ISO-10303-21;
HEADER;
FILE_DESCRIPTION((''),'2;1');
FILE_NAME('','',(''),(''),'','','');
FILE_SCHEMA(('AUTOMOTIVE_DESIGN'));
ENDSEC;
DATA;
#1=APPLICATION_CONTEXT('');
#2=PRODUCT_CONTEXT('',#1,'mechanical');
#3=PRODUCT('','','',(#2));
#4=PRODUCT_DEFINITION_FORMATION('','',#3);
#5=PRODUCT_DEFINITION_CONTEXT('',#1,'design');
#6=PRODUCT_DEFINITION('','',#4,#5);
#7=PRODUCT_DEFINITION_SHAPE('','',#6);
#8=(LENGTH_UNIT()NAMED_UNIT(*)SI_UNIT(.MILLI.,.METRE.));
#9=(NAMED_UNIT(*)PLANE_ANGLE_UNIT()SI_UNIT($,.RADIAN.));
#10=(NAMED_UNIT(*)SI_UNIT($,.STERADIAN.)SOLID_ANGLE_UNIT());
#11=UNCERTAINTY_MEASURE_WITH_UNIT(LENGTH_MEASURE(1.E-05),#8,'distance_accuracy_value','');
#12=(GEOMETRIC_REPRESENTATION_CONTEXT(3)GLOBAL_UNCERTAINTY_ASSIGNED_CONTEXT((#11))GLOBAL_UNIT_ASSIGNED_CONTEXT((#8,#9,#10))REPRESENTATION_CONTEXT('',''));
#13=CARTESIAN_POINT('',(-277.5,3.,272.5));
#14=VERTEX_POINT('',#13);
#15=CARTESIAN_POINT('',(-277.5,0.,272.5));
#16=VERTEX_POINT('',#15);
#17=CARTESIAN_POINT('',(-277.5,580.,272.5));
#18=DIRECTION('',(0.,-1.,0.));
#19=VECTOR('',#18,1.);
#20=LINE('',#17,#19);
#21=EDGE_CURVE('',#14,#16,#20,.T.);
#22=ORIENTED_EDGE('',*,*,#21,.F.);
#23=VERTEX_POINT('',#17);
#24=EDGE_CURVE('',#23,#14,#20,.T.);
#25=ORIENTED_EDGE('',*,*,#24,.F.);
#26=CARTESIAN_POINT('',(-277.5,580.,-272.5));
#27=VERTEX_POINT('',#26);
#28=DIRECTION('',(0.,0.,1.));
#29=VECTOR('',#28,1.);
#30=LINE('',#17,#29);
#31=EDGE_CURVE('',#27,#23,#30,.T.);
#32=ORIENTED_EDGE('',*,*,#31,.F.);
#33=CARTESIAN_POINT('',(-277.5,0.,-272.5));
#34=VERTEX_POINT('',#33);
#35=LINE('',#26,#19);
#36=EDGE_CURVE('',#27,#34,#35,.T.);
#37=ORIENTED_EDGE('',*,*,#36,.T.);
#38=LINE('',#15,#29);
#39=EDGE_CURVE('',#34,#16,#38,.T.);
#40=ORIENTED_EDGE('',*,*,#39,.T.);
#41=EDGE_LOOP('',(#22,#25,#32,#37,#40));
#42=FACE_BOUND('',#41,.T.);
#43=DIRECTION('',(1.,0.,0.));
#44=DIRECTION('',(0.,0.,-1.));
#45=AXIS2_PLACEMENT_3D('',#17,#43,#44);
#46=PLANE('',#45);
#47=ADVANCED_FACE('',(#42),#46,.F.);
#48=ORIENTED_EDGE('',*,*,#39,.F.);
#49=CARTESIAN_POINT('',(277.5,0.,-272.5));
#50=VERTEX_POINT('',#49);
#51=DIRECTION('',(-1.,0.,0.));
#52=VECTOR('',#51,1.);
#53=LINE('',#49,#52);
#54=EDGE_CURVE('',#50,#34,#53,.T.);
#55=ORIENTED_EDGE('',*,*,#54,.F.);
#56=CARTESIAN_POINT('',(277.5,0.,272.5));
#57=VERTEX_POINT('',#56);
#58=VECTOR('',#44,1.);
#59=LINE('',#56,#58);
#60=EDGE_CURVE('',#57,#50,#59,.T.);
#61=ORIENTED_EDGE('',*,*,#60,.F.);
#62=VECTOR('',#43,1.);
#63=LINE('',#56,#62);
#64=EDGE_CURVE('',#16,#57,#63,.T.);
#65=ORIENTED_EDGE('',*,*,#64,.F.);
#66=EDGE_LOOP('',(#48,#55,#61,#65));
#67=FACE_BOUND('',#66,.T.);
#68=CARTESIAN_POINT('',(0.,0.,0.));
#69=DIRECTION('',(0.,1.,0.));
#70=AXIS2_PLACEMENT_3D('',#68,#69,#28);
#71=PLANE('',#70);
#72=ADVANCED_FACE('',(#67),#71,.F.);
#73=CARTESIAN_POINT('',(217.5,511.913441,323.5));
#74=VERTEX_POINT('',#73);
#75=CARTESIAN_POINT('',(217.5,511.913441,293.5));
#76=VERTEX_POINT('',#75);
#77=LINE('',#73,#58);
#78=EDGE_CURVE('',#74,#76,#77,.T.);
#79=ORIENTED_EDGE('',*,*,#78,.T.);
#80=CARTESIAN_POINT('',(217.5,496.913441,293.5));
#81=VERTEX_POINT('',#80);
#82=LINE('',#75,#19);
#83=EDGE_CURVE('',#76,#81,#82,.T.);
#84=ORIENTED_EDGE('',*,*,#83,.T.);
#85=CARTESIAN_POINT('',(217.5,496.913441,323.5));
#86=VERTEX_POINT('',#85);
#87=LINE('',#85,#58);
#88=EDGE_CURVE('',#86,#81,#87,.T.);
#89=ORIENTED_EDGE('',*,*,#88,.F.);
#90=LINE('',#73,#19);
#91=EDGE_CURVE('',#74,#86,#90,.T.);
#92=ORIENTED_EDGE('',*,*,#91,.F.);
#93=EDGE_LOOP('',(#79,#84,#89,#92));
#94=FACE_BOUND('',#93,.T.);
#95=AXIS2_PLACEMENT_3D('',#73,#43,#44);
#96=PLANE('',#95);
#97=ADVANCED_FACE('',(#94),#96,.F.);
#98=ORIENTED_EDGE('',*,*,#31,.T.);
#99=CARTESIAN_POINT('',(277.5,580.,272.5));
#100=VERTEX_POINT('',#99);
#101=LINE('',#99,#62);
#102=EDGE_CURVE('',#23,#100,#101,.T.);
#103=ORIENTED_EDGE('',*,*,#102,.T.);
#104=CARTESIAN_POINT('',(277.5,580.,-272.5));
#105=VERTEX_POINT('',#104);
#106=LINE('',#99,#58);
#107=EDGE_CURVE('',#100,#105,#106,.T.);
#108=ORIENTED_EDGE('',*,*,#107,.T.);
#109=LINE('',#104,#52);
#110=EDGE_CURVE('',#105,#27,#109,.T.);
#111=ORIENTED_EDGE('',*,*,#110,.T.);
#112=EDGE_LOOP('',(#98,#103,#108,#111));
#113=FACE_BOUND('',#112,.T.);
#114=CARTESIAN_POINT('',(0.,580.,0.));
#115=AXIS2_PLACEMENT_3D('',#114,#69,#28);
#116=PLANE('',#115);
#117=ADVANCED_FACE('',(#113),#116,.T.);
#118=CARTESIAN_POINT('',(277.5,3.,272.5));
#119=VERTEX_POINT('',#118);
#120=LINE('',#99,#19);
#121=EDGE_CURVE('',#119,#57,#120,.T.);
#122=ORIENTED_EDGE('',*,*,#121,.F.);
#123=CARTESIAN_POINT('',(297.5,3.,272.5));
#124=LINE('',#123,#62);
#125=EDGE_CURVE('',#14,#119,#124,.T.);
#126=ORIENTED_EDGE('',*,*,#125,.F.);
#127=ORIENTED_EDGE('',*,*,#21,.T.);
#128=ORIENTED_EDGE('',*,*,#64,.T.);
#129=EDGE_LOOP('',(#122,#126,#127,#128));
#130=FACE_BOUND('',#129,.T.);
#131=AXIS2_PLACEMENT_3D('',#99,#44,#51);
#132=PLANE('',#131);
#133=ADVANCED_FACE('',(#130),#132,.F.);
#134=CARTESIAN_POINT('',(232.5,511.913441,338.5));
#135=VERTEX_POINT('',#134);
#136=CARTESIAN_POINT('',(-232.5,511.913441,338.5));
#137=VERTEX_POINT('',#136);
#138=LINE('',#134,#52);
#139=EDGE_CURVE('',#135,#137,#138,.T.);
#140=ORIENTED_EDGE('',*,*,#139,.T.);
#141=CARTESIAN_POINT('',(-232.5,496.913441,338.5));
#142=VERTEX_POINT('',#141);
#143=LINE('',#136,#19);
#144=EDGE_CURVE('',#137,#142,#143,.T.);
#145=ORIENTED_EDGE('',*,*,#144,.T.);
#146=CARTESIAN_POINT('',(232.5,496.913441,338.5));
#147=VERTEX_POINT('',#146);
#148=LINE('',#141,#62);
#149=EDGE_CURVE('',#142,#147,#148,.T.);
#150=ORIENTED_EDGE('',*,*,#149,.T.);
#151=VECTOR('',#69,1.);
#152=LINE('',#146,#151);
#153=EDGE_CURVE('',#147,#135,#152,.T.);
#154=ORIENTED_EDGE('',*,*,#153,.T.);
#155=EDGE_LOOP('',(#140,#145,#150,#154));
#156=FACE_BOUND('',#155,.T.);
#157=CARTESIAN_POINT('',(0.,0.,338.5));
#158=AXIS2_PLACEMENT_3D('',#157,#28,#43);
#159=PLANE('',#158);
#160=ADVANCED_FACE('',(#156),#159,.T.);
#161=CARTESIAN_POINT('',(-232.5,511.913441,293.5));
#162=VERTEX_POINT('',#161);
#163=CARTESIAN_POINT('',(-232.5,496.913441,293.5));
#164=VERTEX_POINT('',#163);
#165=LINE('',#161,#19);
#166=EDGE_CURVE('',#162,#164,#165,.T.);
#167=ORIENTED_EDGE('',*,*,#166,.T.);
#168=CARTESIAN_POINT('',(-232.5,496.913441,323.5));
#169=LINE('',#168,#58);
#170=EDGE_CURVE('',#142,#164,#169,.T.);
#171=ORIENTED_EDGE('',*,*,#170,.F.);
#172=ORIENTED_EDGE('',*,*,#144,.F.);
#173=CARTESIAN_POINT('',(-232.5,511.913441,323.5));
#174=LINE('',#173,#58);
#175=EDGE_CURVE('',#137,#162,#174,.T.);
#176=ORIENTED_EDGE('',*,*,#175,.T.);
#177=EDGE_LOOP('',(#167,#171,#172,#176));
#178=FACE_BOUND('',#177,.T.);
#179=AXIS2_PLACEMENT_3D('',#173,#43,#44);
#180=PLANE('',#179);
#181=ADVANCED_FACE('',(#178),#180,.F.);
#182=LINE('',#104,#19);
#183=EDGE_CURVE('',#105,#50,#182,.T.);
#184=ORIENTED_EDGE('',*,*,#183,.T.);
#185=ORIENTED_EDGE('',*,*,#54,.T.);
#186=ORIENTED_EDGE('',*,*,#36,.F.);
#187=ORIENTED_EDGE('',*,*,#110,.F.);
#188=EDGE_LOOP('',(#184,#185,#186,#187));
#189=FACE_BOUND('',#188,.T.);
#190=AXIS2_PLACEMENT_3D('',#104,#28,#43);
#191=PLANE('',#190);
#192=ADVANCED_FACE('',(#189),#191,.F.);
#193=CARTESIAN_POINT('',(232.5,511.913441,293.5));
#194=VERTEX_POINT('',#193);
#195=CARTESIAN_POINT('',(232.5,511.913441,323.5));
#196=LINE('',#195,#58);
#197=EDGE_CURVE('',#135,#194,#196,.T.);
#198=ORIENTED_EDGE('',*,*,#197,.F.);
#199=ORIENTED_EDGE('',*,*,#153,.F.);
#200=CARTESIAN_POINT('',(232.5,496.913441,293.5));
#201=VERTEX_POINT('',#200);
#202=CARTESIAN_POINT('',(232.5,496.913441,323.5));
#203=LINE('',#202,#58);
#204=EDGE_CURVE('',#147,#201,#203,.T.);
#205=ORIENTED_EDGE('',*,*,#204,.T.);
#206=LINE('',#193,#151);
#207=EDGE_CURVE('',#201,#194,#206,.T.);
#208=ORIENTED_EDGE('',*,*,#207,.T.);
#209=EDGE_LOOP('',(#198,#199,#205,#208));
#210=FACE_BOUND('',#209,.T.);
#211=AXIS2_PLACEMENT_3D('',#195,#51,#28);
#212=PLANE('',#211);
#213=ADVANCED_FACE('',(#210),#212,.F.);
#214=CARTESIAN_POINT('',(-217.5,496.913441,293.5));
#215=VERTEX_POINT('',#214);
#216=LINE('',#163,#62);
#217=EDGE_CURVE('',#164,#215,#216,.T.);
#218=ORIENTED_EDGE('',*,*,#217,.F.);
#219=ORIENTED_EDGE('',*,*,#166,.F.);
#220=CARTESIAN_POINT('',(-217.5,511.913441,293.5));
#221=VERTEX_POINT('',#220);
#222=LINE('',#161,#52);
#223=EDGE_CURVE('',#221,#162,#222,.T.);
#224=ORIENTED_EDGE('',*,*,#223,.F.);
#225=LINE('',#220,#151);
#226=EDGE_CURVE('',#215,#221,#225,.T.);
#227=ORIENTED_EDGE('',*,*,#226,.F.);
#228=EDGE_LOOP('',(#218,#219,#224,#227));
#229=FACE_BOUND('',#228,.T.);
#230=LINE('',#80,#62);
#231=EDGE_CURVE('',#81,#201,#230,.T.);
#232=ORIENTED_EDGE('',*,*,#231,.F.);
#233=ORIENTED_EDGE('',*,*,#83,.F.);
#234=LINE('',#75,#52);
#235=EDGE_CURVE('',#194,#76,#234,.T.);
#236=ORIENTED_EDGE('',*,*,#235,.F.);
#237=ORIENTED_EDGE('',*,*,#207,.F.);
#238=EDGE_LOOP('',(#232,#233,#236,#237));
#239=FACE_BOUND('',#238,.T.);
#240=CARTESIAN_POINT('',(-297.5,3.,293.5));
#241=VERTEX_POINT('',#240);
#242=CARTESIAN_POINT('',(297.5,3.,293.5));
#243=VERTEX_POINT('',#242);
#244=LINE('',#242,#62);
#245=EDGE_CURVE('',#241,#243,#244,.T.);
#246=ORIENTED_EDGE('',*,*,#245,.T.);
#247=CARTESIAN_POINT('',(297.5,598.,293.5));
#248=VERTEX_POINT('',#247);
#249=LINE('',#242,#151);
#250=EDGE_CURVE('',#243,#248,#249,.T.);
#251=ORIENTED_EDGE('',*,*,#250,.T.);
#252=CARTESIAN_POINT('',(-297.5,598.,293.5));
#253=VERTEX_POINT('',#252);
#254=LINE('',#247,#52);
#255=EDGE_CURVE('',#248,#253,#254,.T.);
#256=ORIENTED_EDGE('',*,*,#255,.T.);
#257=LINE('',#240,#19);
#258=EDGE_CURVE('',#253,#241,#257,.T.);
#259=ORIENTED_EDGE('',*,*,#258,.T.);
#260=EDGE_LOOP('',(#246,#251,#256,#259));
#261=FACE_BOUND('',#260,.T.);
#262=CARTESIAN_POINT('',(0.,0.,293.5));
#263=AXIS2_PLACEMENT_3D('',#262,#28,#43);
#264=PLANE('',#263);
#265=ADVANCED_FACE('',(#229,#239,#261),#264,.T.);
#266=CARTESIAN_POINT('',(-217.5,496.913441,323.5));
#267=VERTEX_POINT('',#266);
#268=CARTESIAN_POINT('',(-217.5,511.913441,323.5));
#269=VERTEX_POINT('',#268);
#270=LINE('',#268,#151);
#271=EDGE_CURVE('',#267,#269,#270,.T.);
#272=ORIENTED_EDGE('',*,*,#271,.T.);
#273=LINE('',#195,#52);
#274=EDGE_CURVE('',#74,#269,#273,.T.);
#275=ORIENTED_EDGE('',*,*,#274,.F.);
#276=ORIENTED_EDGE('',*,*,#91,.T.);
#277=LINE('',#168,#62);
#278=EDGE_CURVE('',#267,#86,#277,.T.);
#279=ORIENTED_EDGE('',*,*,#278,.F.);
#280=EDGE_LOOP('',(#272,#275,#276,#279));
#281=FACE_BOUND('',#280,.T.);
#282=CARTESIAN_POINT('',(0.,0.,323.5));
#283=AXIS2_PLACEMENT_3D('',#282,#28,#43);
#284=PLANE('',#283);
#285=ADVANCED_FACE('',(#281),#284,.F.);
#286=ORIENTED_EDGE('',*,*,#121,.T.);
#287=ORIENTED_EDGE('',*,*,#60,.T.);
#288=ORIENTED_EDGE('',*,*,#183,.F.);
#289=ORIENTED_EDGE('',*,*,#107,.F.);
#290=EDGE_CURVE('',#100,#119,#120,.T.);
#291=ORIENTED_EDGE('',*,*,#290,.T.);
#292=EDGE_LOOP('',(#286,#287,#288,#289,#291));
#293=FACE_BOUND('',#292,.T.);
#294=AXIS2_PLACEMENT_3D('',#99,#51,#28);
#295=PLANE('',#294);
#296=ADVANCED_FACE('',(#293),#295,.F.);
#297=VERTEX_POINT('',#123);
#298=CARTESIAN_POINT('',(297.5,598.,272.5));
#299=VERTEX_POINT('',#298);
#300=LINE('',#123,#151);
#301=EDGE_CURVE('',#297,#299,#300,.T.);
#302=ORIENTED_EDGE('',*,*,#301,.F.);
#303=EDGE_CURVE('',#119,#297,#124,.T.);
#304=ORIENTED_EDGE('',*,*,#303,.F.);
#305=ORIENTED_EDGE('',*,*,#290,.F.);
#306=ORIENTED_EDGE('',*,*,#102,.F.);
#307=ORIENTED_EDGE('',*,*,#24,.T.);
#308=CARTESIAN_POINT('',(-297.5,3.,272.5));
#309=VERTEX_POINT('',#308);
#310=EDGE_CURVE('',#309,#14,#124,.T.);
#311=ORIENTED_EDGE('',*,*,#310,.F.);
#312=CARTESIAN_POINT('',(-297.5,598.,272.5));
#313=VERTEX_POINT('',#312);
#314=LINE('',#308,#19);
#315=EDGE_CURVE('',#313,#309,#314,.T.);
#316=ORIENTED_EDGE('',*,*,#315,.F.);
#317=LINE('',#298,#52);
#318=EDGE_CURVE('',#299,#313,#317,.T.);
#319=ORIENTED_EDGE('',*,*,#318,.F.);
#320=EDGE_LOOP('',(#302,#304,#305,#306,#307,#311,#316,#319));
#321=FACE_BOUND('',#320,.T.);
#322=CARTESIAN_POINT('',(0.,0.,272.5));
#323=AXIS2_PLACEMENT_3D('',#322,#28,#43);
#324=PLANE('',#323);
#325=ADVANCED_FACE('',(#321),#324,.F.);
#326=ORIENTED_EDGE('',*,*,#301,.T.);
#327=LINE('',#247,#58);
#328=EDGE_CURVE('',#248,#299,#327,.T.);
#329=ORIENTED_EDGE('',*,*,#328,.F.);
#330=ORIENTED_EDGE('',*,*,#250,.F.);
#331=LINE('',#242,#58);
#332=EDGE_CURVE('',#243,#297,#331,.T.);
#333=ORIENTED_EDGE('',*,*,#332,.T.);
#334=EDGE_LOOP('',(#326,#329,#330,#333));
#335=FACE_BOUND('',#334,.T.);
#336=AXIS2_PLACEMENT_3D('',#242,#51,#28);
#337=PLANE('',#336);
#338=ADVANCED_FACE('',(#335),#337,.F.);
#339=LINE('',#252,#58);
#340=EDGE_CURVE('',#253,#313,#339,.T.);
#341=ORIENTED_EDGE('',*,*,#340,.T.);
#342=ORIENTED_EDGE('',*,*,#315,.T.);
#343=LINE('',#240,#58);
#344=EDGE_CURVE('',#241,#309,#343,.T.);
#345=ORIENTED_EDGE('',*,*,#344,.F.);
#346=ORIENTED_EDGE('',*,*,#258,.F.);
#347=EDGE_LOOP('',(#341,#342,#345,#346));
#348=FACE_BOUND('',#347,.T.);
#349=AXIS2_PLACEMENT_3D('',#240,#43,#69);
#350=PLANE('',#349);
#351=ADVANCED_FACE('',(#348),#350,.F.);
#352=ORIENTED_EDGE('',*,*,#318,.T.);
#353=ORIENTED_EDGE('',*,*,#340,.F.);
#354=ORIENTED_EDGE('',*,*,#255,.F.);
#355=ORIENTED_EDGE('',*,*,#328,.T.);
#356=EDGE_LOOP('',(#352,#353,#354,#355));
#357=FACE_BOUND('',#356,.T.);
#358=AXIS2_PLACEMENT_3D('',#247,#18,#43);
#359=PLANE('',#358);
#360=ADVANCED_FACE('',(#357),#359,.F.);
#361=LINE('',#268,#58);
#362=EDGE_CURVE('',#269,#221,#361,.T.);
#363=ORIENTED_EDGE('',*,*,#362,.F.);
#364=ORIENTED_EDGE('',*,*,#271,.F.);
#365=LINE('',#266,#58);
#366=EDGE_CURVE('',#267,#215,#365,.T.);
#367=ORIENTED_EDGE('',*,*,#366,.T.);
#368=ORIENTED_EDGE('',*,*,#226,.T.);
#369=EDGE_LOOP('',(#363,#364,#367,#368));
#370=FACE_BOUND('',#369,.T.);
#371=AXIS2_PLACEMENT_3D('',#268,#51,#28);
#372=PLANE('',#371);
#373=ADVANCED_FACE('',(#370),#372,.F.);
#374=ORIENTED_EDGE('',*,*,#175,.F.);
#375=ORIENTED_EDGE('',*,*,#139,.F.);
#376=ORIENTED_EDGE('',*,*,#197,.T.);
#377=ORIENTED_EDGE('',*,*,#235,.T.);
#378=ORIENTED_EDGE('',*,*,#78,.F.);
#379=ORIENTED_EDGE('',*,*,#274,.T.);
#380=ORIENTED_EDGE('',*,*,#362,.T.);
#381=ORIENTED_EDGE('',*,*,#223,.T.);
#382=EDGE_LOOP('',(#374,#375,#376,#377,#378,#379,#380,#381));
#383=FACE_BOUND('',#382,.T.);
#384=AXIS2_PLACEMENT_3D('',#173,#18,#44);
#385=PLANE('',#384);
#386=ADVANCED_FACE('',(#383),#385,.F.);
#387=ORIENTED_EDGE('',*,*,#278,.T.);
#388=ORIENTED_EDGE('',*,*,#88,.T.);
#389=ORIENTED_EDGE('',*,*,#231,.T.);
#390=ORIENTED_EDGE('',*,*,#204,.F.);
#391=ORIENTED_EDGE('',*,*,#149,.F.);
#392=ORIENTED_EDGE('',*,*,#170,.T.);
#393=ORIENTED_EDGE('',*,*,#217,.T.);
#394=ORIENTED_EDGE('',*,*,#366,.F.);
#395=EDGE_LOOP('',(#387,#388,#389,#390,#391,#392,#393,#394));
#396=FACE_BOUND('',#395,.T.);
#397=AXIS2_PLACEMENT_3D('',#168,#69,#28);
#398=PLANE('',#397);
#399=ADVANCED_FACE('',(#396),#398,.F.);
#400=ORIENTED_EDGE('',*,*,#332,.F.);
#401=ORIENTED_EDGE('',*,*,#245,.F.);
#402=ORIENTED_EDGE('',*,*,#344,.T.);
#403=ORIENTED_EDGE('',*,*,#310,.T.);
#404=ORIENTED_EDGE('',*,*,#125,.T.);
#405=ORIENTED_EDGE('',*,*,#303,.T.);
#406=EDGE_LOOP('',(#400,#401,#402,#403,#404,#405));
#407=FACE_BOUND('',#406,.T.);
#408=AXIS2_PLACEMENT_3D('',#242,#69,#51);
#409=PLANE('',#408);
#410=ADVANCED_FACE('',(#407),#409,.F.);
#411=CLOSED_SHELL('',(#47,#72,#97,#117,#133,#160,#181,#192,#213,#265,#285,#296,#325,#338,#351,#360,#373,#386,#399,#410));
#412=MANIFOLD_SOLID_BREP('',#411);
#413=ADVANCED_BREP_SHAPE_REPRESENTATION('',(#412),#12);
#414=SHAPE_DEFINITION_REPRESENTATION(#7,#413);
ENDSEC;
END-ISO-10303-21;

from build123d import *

# Parameters (mm, degrees)
SKETCH_1_W      = 555
SKETCH_1_H      = 545
EXTRUDE_1_DEPTH = 580
SKETCH_2_W      = 595
SKETCH_2_H      = 595
EXTRUDE_2_DEPTH = 21
SKETCH_3_W      = 15
SKETCH_3_H      = 15
EXTRUDE_3_DEPTH = 30
SKETCH_4_W      = 465
SKETCH_4_H      = 15
EXTRUDE_4_DEPTH = 15


with BuildPart() as part:
    # Эскиз1 → Бобышка-Вытянуть1 (new body)
    with BuildSketch(Plane(origin=(0, 0, 0), x_dir=(1, 0, 0), z_dir=(0, 1, 0))):
        Rectangle(SKETCH_1_W, SKETCH_1_H)
    extrude(amount=EXTRUDE_1_DEPTH)

    # Эскиз2 → Бобышка-Вытянуть2 (add)
    with BuildSketch(Plane.XY.offset(272.5)):
        with Locations((0, 300.5)):
            Rectangle(SKETCH_2_W, SKETCH_2_H)
    extrude(amount=EXTRUDE_2_DEPTH)

    # Эскиз3 → Бобышка-Вытянуть3 (add)
    with BuildSketch(Plane.XY.offset(293.5)):
        with Locations((-225, 504.413440556)):
            Rectangle(SKETCH_3_W, SKETCH_3_H)
        with Locations((225, 504.413440556)):
            Rectangle(SKETCH_3_W, SKETCH_3_H)
    extrude(amount=EXTRUDE_3_DEPTH)

    # Эскиз4 → Бобышка-Вытянуть4 (add)
    with BuildSketch(Plane.XY.offset(323.5)):
        with Locations((0, 504.413440556)):
            Rectangle(SKETCH_4_W, SKETCH_4_H)
    extrude(amount=EXTRUDE_4_DEPTH)


solid = part.part
